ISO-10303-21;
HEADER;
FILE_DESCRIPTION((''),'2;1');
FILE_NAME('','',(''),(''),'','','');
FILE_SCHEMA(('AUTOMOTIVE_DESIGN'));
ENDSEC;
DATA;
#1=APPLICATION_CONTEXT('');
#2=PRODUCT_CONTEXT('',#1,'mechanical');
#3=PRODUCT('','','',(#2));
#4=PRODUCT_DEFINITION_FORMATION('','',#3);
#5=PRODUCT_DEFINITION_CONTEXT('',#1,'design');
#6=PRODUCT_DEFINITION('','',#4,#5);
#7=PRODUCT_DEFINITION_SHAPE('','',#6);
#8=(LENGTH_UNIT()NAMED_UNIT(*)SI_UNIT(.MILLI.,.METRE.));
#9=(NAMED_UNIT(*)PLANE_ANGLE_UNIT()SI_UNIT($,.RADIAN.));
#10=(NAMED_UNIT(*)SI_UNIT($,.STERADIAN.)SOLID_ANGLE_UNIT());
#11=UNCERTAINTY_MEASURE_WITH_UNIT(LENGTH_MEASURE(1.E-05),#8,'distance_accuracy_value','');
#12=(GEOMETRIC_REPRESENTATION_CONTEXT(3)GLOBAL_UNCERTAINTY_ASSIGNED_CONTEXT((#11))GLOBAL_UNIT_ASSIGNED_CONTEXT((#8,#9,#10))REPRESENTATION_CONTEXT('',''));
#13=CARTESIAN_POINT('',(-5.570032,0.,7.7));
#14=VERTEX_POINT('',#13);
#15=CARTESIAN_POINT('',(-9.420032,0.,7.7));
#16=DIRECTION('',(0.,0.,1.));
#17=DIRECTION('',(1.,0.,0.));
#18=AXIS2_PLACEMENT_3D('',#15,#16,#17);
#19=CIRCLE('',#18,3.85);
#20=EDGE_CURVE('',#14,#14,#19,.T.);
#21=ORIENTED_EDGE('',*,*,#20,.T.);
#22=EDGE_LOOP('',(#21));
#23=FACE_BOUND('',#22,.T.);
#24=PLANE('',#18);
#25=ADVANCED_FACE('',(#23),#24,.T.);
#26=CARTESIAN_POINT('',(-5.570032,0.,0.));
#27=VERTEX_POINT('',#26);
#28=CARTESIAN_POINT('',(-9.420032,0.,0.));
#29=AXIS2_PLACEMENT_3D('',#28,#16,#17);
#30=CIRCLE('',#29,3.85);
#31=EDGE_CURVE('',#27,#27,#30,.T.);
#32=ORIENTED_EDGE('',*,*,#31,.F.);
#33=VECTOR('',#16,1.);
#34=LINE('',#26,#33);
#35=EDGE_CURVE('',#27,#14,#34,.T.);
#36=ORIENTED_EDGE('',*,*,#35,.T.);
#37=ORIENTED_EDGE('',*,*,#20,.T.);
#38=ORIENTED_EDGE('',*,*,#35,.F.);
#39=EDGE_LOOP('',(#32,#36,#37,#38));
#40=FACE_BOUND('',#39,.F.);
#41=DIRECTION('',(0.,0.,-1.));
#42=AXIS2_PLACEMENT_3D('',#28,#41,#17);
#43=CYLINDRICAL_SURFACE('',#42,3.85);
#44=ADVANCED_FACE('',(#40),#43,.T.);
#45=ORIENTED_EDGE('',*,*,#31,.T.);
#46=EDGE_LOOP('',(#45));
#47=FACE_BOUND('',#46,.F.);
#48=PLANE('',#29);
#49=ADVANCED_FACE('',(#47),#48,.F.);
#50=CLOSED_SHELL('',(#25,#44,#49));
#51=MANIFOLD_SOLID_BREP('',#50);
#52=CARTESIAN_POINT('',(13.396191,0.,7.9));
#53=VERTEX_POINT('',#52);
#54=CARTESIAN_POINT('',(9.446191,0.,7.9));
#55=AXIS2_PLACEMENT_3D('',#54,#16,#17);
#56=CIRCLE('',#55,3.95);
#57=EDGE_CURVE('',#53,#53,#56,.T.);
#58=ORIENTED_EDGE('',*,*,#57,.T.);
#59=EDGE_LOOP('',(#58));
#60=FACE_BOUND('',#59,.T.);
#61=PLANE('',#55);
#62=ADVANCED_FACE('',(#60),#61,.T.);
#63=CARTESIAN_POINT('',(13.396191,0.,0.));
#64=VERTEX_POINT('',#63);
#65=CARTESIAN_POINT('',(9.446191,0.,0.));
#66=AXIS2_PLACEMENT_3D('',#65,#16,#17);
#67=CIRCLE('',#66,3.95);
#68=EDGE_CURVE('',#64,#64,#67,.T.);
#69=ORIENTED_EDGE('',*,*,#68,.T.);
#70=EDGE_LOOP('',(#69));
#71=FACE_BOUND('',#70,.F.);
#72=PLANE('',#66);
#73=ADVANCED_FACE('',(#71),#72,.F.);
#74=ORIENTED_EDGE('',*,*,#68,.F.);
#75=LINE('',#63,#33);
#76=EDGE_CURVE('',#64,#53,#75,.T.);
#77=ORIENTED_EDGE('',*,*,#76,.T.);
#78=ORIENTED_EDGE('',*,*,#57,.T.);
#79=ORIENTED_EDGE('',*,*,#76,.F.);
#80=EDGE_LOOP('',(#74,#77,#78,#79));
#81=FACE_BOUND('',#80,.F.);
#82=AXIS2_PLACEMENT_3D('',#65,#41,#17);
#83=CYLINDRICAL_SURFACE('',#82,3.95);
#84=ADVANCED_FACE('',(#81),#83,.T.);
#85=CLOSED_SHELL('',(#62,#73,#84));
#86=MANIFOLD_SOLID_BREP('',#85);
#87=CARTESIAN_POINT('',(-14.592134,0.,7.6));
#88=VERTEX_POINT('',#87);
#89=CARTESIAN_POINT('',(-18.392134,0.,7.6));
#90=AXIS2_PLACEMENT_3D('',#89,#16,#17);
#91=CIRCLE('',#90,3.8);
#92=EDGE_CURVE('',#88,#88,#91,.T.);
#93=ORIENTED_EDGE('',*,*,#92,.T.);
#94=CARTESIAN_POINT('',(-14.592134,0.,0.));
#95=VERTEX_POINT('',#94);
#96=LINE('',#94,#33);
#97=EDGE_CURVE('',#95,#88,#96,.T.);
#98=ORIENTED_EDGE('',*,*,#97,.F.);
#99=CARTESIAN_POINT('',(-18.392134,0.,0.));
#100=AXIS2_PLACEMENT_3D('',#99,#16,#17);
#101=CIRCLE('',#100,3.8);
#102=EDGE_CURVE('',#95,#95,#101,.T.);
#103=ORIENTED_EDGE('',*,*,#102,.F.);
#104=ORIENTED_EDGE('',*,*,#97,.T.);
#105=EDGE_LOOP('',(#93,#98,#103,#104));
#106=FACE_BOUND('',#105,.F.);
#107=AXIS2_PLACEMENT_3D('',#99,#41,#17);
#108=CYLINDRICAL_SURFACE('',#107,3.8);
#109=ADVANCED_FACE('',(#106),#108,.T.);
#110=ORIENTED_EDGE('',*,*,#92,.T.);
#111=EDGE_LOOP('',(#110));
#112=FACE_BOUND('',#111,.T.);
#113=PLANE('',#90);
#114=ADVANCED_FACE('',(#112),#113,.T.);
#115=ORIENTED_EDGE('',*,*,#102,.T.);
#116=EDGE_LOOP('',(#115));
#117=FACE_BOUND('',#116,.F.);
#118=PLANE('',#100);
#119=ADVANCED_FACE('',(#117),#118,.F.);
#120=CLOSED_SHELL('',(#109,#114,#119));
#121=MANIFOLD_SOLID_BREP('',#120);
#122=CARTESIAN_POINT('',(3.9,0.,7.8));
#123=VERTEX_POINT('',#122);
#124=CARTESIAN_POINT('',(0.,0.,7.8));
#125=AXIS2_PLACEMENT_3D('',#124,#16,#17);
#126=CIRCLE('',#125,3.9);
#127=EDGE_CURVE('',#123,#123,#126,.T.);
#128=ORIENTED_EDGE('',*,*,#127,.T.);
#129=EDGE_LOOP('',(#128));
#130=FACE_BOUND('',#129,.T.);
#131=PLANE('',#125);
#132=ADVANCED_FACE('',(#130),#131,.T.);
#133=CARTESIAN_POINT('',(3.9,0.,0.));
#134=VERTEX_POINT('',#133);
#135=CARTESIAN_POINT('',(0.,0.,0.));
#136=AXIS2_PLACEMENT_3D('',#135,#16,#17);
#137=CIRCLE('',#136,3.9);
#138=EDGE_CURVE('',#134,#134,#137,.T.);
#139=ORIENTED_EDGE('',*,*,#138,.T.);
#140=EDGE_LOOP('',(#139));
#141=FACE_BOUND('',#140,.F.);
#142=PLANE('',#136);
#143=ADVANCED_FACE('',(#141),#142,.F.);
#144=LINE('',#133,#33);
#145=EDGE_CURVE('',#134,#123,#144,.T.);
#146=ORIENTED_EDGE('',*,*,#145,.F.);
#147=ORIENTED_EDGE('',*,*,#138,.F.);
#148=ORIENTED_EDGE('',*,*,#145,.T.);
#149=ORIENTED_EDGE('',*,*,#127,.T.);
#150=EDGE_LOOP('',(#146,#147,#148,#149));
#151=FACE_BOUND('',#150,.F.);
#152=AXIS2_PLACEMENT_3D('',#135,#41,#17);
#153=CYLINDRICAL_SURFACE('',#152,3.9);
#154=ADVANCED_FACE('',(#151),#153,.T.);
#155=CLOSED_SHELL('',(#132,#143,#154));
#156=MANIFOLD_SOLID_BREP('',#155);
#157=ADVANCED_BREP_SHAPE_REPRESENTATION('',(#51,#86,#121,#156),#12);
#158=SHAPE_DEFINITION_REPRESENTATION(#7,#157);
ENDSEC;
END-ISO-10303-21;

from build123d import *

# Parameters (mm, degrees)
F0_R     = 3.95
F1_DEPTH = 7.9
F0_R_2   = 3.9
F2_DEPTH = 7.8
F0_R_3   = 3.85
F3_DEPTH = 7.7
F0_R_4   = 3.8
F4_DEPTH = 7.6


with BuildPart() as f1:
    # F0 (on Top) → F1 (new body)
    with BuildSketch(Plane.XY):
        with Locations((9.446191, 0)):
            Circle(F0_R)
    extrude(amount=F1_DEPTH)


with BuildPart() as f2:
    # F0 (on Top) → F2 (new body)
    with BuildSketch(Plane.XY):
        Circle(F0_R_2)
    extrude(amount=F2_DEPTH)


with BuildPart() as f3:
    # F0 (on Top) → F3 (new body)
    with BuildSketch(Plane.XY):
        with Locations((-9.420032, 0)):
            Circle(F0_R_3)
    extrude(amount=F3_DEPTH)


with BuildPart() as f4:
    # F0 (on Top) → F4 (new body)
    with BuildSketch(Plane.XY):
        with Locations((-18.392134, 0)):
            Circle(F0_R_4)
    extrude(amount=F4_DEPTH)


solid = Compound([f1.part, f2.part, f3.part, f4.part])
